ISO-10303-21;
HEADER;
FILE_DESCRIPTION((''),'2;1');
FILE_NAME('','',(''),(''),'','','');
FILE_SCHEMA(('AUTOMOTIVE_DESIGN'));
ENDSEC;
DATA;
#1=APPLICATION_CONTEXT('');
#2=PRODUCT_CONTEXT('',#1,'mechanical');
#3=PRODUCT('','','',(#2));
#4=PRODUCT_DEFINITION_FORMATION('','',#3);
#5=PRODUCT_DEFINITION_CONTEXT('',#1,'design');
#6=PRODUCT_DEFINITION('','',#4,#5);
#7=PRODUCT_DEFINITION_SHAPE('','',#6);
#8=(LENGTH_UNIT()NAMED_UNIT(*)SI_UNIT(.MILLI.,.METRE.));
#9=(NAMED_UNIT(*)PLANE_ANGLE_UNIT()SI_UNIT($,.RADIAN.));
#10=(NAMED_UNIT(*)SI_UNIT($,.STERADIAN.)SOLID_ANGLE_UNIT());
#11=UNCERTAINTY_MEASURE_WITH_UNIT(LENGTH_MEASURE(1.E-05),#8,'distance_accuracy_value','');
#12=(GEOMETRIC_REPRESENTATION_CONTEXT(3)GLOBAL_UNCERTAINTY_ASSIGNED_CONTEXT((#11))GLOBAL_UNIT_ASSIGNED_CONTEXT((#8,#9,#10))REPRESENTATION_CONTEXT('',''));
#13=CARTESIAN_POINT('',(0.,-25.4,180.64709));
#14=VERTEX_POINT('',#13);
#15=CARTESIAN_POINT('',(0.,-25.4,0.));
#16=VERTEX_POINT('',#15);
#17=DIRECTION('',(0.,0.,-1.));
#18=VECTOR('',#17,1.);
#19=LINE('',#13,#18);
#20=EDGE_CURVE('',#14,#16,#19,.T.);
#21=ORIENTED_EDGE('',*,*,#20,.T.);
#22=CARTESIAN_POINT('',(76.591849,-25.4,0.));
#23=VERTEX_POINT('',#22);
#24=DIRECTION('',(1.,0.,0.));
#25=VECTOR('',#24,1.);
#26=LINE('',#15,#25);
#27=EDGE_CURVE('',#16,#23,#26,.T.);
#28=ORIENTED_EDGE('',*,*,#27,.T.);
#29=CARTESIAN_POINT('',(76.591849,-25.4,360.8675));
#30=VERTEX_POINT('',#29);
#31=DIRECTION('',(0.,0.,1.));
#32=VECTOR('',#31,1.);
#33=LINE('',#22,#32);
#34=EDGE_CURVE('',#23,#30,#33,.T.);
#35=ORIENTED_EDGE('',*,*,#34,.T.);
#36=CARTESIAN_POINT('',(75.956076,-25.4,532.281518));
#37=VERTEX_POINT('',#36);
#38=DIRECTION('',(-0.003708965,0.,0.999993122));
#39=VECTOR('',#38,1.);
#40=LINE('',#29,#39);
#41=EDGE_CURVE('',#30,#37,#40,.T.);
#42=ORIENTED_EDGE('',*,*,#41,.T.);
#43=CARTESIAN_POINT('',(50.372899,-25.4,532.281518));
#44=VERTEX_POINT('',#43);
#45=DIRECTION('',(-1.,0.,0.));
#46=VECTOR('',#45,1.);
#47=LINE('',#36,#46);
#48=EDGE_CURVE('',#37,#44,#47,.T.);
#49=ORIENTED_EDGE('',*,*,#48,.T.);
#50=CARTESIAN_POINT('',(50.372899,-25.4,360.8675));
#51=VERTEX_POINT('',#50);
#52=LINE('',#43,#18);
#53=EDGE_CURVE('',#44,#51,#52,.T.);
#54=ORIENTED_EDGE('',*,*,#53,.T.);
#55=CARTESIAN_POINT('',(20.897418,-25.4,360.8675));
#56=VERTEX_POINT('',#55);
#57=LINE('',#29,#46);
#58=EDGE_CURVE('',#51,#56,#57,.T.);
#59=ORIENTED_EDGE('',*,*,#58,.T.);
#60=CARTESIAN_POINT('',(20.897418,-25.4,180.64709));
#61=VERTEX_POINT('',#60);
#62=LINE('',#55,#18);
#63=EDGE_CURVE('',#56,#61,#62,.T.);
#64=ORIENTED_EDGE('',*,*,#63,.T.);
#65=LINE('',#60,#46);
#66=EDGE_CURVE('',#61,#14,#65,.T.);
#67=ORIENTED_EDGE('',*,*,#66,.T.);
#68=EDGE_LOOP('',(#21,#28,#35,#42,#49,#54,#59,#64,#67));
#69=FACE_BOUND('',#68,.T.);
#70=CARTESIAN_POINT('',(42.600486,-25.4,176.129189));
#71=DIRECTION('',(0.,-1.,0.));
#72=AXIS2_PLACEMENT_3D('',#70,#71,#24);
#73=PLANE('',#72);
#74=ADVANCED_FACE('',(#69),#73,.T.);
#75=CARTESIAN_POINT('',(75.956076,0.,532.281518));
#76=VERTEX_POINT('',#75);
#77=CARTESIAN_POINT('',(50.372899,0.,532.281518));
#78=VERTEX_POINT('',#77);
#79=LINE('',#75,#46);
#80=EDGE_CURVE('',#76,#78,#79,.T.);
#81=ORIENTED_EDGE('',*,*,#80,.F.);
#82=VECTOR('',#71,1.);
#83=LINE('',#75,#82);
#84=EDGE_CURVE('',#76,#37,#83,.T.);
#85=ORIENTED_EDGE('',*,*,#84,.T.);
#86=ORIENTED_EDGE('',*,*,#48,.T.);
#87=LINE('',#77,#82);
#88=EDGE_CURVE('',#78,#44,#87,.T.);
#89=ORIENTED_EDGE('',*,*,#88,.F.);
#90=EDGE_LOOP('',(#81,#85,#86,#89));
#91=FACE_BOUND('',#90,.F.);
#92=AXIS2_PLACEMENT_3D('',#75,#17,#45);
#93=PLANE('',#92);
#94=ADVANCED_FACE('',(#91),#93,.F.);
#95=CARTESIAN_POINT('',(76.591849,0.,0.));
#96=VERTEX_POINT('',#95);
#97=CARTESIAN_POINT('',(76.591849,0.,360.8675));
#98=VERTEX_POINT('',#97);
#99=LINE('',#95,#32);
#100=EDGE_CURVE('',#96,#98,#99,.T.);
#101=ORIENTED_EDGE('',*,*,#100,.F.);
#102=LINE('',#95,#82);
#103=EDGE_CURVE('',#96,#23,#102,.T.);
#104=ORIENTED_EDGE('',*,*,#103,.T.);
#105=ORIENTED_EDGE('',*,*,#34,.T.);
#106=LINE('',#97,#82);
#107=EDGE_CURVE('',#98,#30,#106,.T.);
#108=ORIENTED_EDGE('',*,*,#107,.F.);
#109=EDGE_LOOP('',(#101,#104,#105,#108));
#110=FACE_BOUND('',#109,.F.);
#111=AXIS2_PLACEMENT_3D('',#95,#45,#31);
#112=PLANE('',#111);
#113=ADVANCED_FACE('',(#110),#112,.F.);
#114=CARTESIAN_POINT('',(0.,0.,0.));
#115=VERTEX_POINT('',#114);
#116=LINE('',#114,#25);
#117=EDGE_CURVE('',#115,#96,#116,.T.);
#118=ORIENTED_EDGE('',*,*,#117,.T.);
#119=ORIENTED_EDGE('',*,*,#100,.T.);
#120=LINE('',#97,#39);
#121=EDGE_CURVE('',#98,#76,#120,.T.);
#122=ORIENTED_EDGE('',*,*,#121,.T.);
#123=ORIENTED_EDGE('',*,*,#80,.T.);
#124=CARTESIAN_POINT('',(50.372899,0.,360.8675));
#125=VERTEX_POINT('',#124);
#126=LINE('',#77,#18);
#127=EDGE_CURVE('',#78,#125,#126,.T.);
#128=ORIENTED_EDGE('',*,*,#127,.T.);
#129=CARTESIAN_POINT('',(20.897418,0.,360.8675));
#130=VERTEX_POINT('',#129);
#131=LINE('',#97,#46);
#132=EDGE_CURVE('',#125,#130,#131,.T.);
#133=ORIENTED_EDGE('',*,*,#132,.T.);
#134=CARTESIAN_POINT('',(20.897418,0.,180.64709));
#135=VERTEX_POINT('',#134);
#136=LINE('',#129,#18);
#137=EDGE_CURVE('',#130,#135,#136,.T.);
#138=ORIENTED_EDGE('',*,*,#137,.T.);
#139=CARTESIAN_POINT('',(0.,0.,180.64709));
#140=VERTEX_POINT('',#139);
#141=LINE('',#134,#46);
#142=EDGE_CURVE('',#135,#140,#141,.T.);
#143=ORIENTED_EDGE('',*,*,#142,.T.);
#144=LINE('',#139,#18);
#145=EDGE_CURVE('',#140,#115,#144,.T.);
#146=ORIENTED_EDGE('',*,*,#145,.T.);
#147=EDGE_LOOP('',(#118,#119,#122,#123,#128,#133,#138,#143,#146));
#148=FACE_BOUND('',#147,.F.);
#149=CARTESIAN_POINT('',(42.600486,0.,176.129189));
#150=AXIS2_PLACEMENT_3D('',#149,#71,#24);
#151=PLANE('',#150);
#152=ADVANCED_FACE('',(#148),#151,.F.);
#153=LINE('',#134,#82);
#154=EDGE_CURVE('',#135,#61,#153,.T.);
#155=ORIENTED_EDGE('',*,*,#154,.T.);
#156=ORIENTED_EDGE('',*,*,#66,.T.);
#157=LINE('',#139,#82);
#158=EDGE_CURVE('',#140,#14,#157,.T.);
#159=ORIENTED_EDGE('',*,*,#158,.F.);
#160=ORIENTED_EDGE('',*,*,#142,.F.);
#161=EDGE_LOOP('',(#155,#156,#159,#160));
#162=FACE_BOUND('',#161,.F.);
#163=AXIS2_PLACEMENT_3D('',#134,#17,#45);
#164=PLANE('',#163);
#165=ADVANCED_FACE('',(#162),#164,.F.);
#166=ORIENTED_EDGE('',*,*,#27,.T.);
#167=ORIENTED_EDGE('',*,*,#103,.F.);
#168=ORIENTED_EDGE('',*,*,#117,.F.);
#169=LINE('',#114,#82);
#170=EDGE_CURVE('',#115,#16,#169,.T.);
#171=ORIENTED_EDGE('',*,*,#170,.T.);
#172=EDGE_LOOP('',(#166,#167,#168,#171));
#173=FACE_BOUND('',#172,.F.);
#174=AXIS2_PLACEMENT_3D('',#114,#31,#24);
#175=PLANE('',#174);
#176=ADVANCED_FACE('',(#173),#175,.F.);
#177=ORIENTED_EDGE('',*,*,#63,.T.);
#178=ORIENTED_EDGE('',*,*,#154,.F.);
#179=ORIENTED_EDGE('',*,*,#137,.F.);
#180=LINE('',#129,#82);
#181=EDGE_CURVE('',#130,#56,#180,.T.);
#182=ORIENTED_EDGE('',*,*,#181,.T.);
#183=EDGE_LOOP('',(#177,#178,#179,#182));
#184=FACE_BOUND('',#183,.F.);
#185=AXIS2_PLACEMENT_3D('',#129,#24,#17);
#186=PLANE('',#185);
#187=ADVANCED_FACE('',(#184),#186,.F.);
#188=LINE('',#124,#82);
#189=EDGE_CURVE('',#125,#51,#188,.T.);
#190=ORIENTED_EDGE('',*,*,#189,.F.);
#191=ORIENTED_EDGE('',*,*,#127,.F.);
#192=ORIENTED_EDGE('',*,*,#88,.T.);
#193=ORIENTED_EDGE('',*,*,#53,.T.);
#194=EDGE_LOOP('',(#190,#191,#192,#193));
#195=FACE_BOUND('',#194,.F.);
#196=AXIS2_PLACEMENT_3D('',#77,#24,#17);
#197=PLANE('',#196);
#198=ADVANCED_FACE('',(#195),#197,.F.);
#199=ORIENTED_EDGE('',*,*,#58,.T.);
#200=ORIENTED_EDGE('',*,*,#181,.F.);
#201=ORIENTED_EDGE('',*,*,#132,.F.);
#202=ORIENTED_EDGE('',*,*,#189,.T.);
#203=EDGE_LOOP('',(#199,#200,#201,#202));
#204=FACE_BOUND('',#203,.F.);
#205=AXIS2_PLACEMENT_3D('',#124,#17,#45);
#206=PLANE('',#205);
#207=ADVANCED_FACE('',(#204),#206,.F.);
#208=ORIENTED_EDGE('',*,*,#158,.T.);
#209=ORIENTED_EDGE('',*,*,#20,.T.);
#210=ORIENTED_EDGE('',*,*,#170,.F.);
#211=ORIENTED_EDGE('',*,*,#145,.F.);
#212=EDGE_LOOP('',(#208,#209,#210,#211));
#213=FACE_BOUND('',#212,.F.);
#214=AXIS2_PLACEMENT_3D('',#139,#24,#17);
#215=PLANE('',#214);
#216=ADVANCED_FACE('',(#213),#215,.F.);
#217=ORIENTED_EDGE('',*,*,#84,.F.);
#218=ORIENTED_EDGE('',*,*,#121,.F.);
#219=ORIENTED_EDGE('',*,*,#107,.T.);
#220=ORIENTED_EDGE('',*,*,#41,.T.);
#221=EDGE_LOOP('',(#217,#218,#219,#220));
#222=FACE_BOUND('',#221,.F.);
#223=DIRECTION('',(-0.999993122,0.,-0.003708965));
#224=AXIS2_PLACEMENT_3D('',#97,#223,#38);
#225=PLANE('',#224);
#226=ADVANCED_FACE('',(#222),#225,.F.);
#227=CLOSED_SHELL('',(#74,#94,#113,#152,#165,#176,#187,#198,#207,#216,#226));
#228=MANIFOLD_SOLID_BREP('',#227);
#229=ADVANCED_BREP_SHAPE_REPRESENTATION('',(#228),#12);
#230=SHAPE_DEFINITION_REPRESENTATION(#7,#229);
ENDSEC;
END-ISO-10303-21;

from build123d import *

# Parameters (mm, degrees)
F1_DEPTH = 25.4


with BuildPart() as f1:
    # F0 (on Front) → F1 (new body)
    with BuildSketch(Plane.XZ):
        Polygon((0, 180.64709), (0, 59.917226), (0, 0), (76.591849, 0), (76.591849, 61.627969), (76.591849, 180.158287), (76.591849, 360.8675), (50.372899, 360.8675), (20.897418, 360.8675), (20.897418, 336.934566), (20.897418, 180.64709), align=None)
        Polygon((50.372899, 360.8675), (76.591849, 360.8675), (75.956076, 532.281518), (63.164487, 532.281518), (50.372899, 532.281518), align=None)
    extrude(amount=F1_DEPTH)


solid = f1.part
